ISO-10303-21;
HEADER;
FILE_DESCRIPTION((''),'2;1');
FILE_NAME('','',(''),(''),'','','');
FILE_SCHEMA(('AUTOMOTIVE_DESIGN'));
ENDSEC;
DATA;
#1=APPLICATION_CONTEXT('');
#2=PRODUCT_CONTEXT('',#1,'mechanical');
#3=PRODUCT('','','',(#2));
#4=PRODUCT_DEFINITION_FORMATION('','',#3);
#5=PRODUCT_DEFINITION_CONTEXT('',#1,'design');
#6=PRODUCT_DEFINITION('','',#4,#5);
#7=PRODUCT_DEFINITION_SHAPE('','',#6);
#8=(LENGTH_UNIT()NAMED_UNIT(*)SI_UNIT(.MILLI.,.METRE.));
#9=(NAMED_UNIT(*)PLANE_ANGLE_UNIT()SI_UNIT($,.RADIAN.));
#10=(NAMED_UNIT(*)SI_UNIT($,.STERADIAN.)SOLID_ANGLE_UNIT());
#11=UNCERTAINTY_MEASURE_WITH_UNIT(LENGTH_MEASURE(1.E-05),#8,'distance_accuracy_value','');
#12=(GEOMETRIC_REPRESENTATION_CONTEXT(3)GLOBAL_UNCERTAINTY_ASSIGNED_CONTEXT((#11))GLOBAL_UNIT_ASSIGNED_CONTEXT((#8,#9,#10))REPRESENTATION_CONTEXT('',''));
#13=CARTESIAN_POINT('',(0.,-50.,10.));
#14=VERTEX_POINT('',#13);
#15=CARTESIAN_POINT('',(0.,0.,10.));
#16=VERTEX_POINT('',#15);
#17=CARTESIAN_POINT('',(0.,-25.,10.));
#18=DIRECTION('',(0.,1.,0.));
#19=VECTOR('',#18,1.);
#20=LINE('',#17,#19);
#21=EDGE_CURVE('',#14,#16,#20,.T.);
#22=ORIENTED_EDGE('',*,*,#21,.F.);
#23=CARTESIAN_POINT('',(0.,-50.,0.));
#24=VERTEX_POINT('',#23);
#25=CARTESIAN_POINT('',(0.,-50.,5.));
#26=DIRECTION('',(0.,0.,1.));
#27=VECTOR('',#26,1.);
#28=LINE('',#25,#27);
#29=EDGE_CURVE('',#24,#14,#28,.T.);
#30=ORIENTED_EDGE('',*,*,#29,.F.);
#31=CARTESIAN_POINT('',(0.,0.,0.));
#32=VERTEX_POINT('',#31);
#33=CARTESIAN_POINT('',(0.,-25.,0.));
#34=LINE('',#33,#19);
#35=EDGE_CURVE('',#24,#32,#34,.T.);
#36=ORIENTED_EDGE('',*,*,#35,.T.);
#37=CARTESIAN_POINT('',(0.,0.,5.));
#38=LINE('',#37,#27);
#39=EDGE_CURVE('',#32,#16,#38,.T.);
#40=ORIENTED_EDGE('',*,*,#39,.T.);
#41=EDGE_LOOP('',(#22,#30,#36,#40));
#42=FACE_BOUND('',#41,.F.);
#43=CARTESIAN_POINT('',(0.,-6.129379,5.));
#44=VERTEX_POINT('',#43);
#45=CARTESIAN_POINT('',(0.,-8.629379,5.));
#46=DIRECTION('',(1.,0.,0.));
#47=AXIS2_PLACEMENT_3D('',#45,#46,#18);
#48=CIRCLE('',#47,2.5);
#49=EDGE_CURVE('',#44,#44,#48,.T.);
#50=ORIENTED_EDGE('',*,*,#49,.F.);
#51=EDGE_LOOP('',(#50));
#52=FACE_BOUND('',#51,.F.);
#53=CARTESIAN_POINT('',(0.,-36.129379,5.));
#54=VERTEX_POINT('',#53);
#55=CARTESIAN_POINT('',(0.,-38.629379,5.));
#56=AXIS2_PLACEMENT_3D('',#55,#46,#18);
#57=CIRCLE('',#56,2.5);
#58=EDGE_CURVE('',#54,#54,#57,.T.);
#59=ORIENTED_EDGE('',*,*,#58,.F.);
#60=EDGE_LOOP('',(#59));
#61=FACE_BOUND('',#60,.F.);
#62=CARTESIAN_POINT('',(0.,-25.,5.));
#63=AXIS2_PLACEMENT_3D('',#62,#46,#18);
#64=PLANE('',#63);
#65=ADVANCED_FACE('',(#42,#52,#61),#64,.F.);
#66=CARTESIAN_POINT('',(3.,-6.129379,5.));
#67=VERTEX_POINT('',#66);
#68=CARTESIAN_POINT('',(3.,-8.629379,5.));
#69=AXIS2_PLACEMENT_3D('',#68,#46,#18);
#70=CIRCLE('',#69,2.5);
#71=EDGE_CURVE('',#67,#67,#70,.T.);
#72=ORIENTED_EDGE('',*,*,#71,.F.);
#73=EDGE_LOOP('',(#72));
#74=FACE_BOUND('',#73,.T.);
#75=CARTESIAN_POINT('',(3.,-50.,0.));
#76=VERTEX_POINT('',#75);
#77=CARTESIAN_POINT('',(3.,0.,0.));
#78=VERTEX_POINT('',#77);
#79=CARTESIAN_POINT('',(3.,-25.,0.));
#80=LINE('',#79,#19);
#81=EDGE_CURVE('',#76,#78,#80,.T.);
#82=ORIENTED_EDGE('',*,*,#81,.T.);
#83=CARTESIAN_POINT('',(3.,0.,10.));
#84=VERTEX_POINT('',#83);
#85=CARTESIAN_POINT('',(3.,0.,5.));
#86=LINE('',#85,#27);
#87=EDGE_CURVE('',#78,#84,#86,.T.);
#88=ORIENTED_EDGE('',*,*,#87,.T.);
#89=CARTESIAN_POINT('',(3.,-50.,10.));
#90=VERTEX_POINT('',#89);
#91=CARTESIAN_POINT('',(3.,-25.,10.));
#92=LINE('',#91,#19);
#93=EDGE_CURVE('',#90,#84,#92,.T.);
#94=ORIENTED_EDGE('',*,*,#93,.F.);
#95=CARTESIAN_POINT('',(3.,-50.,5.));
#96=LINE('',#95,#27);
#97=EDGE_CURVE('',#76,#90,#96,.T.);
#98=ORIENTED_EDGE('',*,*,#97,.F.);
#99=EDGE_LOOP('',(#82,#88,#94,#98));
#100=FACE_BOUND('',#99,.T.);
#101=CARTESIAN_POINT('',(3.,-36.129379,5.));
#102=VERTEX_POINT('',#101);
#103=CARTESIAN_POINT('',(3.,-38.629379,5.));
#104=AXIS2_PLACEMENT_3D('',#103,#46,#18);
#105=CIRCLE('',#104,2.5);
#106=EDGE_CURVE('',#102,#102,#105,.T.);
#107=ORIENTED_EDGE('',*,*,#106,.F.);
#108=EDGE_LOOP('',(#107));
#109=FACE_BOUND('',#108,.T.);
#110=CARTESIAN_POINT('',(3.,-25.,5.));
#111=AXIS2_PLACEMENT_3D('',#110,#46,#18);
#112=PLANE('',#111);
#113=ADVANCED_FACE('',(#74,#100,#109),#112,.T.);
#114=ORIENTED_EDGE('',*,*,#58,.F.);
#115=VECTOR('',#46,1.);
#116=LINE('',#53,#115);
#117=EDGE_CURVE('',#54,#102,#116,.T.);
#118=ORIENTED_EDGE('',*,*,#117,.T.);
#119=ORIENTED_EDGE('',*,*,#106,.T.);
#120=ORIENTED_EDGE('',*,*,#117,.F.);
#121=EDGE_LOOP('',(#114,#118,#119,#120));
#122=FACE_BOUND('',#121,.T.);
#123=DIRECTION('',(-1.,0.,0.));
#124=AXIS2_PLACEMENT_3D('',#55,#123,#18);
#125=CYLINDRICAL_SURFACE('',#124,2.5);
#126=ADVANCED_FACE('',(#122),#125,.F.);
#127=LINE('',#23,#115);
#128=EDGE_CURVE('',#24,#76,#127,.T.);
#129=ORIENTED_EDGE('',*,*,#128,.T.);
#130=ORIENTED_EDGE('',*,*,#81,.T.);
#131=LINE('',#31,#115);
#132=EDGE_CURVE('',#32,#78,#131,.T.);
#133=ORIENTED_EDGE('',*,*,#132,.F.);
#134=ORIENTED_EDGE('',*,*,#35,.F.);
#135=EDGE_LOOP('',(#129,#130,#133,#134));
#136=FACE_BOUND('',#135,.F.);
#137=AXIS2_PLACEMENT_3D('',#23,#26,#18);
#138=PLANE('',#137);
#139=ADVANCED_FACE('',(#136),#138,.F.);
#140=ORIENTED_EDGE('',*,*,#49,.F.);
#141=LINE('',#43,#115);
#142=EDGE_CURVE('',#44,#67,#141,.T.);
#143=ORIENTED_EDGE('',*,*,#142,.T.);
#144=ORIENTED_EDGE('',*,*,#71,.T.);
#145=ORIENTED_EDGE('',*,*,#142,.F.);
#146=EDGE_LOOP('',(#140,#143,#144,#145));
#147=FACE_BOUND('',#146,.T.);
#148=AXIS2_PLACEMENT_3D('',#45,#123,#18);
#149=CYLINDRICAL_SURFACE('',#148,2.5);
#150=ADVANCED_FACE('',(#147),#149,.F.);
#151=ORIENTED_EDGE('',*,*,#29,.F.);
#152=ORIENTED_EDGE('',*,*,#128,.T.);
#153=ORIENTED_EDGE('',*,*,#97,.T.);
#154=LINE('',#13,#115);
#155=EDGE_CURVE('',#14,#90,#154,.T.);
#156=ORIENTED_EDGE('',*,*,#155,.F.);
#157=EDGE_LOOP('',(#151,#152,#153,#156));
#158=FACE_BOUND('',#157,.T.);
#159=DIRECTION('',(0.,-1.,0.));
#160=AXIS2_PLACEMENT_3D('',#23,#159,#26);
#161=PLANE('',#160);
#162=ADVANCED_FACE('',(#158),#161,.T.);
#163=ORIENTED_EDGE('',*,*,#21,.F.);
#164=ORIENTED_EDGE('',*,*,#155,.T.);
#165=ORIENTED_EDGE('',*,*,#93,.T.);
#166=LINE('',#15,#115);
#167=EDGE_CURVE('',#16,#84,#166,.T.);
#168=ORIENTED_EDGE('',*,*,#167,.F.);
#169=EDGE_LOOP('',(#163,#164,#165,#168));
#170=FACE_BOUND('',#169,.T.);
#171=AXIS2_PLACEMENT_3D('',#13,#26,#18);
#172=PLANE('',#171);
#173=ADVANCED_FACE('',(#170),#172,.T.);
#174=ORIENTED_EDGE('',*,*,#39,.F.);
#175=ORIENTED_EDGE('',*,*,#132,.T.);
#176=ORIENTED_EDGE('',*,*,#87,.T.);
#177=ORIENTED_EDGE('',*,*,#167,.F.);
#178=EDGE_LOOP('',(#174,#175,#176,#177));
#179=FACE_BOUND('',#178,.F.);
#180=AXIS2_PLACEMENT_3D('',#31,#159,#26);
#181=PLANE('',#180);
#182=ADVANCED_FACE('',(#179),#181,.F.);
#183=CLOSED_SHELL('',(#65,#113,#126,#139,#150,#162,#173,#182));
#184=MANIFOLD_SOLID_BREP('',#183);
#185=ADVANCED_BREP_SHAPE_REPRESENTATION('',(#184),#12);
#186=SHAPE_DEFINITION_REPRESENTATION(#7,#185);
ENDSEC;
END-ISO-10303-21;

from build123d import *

# Parameters (mm, degrees)
F0_W     = 50
F0_H     = 10
F0_R     = 2.5
F1_DEPTH = 5
F2_DEPTH = 2


with BuildPart() as f1:
    # F0 (on Right) → F1 (new body)
    with BuildSketch(Plane.YZ):
        with Locations((-25, 5)):
            Rectangle(F0_W, F0_H)
        with Locations((-38.6293791234, 5)):
            Circle(F0_R, mode=Mode.SUBTRACT)
        with Locations((-8.6293791234, 5)):
            Circle(F0_R, mode=Mode.SUBTRACT)
    extrude(amount=F1_DEPTH)

    # F2 (cut): a face of the model
    f2_faces = [f1.faces().sort_by_distance(p)[0] for p in [
        (5, -25.1168236174, 5),
    ]]
    extrude(f2_faces, amount=-F2_DEPTH, mode=Mode.SUBTRACT)


solid = f1.part
